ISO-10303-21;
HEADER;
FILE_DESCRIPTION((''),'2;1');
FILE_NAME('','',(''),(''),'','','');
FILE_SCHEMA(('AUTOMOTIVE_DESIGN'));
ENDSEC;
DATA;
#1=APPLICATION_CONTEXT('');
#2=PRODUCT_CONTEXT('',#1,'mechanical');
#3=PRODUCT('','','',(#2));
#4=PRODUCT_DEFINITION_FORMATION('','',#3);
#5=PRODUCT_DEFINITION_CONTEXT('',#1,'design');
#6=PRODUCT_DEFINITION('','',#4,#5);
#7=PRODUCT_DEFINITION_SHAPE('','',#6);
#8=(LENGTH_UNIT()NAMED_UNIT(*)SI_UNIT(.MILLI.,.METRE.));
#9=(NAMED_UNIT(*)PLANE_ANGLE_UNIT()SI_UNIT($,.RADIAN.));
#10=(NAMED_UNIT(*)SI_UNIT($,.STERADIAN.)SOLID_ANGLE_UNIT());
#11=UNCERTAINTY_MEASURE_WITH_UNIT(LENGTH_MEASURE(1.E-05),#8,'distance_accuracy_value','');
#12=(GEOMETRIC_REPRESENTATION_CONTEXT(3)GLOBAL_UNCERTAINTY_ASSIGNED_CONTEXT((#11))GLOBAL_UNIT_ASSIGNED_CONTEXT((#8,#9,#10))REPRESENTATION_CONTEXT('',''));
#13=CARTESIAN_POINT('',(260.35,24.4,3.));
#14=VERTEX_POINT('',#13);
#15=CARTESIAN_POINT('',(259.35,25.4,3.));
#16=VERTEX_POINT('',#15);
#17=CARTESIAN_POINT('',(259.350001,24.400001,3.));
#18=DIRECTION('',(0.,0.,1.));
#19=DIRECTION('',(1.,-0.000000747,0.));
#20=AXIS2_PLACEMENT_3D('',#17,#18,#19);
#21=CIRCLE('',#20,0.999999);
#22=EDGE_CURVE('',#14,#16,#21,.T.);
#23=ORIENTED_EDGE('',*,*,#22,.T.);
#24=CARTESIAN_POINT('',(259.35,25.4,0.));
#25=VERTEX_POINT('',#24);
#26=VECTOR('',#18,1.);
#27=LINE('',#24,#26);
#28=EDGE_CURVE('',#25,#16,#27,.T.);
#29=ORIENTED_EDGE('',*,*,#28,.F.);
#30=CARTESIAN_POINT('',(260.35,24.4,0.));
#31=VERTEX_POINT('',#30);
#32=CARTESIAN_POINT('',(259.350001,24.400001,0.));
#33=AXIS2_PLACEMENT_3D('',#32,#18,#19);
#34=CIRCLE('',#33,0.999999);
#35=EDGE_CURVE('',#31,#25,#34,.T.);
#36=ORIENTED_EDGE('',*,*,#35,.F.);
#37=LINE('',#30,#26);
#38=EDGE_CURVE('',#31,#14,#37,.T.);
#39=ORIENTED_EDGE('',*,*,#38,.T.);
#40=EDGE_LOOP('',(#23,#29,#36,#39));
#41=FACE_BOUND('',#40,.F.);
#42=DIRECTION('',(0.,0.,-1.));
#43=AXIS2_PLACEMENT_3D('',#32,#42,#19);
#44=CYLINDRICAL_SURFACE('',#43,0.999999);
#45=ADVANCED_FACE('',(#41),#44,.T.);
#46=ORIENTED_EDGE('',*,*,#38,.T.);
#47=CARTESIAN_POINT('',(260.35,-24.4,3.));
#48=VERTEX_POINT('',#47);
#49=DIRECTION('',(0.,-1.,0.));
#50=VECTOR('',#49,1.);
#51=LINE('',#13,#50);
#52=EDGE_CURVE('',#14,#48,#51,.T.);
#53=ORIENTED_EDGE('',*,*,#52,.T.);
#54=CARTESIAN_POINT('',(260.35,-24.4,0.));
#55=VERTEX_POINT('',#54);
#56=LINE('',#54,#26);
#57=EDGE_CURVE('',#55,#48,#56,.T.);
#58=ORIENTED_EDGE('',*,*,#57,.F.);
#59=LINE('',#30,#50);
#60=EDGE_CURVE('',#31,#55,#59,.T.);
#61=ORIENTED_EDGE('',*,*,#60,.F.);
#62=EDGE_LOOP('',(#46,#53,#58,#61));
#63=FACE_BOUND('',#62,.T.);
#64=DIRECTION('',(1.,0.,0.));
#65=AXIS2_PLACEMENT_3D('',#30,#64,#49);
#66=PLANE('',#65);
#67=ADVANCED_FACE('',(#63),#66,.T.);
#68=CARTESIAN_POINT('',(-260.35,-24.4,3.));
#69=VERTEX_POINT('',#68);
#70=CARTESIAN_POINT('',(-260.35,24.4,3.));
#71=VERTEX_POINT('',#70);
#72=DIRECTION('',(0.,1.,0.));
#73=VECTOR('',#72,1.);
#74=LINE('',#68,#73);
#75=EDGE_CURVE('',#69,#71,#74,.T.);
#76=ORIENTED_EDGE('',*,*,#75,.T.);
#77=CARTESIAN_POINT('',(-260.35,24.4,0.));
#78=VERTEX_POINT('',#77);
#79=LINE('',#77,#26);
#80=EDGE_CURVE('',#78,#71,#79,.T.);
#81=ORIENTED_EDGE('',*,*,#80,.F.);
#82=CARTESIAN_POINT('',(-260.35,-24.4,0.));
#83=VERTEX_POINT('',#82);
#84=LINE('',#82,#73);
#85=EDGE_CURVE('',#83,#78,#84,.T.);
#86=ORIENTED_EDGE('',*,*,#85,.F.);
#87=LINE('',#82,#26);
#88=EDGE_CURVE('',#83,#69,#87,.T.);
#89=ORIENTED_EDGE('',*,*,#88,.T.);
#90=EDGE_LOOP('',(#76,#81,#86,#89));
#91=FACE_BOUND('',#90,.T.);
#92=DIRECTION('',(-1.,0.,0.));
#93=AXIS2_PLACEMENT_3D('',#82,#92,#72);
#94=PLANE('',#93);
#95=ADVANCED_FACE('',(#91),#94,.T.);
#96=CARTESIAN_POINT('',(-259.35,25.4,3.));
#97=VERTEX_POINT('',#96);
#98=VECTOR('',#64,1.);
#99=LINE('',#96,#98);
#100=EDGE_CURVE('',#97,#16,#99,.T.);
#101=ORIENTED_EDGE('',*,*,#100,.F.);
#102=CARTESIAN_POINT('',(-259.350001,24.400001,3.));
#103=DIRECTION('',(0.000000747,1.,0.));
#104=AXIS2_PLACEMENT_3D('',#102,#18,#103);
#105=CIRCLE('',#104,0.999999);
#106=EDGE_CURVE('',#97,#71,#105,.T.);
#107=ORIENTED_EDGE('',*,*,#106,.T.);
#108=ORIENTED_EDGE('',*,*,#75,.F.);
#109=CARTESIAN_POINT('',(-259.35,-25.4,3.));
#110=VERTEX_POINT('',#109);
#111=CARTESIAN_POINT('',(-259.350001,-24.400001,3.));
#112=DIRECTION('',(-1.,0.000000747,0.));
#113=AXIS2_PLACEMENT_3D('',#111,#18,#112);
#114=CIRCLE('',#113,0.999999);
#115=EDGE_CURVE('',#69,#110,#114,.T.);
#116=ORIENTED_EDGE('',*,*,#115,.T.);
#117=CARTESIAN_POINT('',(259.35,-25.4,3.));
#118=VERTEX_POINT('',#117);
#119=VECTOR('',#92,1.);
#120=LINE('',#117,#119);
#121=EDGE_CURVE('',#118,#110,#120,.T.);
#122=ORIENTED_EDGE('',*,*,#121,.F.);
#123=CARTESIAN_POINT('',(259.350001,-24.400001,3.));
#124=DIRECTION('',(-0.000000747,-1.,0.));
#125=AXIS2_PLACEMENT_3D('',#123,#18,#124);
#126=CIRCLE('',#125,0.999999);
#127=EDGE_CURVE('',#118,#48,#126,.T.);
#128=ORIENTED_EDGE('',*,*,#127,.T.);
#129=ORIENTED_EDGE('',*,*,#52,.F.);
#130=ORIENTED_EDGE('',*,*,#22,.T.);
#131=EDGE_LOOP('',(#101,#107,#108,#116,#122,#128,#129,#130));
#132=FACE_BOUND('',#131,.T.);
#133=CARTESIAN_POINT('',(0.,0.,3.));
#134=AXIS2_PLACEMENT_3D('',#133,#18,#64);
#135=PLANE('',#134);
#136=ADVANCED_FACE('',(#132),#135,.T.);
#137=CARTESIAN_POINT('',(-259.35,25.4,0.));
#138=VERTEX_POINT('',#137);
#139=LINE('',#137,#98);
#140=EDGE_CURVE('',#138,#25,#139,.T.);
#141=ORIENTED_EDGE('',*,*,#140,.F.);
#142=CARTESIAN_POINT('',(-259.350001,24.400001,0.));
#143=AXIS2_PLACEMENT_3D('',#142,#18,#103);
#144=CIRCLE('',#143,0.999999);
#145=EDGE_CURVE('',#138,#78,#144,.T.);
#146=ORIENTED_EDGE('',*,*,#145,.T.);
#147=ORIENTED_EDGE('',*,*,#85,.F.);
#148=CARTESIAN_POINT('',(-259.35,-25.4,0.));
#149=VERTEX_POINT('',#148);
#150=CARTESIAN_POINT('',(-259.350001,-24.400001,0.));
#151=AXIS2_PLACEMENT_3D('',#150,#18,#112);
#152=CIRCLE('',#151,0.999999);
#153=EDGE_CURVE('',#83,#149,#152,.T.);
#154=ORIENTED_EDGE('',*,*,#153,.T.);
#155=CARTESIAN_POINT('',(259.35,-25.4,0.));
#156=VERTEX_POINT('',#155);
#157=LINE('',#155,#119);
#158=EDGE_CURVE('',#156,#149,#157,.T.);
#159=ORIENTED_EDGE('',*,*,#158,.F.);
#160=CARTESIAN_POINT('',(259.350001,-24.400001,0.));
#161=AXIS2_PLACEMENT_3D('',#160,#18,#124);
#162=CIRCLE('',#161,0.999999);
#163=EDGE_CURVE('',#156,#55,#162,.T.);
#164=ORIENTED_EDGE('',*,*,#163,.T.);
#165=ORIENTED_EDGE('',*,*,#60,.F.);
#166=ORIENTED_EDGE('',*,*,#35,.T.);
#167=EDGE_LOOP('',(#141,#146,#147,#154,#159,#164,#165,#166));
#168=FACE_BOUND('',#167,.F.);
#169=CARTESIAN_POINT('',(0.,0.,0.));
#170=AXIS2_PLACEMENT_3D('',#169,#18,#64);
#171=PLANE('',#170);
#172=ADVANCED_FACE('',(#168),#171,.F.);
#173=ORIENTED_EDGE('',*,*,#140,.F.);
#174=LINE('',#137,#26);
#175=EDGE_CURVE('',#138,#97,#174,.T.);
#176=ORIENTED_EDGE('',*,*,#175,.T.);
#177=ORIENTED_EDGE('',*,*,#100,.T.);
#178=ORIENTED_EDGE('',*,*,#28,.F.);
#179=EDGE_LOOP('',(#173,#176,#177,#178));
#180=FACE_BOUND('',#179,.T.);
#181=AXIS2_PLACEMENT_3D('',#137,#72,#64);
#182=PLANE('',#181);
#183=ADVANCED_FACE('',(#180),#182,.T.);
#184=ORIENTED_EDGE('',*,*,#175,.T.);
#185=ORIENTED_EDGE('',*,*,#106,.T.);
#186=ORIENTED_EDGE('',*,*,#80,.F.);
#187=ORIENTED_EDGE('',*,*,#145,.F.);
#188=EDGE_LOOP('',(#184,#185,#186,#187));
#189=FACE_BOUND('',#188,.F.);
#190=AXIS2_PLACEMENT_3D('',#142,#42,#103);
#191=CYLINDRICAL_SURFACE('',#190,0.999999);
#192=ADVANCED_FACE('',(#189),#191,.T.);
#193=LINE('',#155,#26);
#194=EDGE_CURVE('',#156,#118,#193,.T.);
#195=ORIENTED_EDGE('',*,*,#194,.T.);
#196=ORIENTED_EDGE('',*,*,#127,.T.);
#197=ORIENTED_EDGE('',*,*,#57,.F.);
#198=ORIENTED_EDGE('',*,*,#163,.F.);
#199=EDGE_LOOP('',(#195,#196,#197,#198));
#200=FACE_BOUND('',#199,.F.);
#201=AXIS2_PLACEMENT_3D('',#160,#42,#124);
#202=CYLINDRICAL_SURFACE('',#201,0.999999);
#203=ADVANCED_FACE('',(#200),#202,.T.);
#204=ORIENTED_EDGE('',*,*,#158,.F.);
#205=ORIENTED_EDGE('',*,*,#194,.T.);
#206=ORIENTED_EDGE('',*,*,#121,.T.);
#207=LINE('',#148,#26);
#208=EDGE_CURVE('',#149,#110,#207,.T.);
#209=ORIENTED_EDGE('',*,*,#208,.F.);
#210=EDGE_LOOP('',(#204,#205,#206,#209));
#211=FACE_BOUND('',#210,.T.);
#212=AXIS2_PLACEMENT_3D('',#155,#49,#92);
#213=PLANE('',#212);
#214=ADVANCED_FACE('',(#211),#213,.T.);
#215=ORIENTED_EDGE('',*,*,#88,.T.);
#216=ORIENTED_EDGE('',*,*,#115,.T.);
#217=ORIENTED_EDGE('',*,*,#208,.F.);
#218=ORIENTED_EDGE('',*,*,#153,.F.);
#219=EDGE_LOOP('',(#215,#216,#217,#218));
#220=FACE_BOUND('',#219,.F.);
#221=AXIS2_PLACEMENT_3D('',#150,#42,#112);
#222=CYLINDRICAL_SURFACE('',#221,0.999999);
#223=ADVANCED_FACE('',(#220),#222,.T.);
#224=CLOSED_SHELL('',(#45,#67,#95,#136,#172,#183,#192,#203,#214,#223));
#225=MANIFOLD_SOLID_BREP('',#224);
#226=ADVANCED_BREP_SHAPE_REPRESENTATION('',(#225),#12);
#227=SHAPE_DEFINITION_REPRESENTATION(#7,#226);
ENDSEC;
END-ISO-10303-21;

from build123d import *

# Parameters (mm, degrees)
PAD_DEPTH = 3


with BuildPart() as part:
    # Sketch → Pad (new body)
    with BuildSketch(Plane.XY):
        with BuildLine():
            ThreePointArc((-259.35, 25.4), (-260.057107, 25.107107), (-260.35, 24.4))
            Line((-260.35, -24.4), (-260.35, 24.4))
            ThreePointArc((-260.35, -24.4), (-260.057107, -25.107107), (-259.35, -25.4))
            Line((259.35, -25.4), (-259.35, -25.4))
            ThreePointArc((259.35, -25.4), (260.057107, -25.107107), (260.35, -24.4))
            Line((260.35, 24.4), (260.35, -24.4))
            ThreePointArc((260.35, 24.4), (260.057107, 25.107107), (259.35, 25.4))
            Line((-259.35, 25.4), (259.35, 25.4))
        make_face()
    extrude(amount=PAD_DEPTH)


solid = part.part
